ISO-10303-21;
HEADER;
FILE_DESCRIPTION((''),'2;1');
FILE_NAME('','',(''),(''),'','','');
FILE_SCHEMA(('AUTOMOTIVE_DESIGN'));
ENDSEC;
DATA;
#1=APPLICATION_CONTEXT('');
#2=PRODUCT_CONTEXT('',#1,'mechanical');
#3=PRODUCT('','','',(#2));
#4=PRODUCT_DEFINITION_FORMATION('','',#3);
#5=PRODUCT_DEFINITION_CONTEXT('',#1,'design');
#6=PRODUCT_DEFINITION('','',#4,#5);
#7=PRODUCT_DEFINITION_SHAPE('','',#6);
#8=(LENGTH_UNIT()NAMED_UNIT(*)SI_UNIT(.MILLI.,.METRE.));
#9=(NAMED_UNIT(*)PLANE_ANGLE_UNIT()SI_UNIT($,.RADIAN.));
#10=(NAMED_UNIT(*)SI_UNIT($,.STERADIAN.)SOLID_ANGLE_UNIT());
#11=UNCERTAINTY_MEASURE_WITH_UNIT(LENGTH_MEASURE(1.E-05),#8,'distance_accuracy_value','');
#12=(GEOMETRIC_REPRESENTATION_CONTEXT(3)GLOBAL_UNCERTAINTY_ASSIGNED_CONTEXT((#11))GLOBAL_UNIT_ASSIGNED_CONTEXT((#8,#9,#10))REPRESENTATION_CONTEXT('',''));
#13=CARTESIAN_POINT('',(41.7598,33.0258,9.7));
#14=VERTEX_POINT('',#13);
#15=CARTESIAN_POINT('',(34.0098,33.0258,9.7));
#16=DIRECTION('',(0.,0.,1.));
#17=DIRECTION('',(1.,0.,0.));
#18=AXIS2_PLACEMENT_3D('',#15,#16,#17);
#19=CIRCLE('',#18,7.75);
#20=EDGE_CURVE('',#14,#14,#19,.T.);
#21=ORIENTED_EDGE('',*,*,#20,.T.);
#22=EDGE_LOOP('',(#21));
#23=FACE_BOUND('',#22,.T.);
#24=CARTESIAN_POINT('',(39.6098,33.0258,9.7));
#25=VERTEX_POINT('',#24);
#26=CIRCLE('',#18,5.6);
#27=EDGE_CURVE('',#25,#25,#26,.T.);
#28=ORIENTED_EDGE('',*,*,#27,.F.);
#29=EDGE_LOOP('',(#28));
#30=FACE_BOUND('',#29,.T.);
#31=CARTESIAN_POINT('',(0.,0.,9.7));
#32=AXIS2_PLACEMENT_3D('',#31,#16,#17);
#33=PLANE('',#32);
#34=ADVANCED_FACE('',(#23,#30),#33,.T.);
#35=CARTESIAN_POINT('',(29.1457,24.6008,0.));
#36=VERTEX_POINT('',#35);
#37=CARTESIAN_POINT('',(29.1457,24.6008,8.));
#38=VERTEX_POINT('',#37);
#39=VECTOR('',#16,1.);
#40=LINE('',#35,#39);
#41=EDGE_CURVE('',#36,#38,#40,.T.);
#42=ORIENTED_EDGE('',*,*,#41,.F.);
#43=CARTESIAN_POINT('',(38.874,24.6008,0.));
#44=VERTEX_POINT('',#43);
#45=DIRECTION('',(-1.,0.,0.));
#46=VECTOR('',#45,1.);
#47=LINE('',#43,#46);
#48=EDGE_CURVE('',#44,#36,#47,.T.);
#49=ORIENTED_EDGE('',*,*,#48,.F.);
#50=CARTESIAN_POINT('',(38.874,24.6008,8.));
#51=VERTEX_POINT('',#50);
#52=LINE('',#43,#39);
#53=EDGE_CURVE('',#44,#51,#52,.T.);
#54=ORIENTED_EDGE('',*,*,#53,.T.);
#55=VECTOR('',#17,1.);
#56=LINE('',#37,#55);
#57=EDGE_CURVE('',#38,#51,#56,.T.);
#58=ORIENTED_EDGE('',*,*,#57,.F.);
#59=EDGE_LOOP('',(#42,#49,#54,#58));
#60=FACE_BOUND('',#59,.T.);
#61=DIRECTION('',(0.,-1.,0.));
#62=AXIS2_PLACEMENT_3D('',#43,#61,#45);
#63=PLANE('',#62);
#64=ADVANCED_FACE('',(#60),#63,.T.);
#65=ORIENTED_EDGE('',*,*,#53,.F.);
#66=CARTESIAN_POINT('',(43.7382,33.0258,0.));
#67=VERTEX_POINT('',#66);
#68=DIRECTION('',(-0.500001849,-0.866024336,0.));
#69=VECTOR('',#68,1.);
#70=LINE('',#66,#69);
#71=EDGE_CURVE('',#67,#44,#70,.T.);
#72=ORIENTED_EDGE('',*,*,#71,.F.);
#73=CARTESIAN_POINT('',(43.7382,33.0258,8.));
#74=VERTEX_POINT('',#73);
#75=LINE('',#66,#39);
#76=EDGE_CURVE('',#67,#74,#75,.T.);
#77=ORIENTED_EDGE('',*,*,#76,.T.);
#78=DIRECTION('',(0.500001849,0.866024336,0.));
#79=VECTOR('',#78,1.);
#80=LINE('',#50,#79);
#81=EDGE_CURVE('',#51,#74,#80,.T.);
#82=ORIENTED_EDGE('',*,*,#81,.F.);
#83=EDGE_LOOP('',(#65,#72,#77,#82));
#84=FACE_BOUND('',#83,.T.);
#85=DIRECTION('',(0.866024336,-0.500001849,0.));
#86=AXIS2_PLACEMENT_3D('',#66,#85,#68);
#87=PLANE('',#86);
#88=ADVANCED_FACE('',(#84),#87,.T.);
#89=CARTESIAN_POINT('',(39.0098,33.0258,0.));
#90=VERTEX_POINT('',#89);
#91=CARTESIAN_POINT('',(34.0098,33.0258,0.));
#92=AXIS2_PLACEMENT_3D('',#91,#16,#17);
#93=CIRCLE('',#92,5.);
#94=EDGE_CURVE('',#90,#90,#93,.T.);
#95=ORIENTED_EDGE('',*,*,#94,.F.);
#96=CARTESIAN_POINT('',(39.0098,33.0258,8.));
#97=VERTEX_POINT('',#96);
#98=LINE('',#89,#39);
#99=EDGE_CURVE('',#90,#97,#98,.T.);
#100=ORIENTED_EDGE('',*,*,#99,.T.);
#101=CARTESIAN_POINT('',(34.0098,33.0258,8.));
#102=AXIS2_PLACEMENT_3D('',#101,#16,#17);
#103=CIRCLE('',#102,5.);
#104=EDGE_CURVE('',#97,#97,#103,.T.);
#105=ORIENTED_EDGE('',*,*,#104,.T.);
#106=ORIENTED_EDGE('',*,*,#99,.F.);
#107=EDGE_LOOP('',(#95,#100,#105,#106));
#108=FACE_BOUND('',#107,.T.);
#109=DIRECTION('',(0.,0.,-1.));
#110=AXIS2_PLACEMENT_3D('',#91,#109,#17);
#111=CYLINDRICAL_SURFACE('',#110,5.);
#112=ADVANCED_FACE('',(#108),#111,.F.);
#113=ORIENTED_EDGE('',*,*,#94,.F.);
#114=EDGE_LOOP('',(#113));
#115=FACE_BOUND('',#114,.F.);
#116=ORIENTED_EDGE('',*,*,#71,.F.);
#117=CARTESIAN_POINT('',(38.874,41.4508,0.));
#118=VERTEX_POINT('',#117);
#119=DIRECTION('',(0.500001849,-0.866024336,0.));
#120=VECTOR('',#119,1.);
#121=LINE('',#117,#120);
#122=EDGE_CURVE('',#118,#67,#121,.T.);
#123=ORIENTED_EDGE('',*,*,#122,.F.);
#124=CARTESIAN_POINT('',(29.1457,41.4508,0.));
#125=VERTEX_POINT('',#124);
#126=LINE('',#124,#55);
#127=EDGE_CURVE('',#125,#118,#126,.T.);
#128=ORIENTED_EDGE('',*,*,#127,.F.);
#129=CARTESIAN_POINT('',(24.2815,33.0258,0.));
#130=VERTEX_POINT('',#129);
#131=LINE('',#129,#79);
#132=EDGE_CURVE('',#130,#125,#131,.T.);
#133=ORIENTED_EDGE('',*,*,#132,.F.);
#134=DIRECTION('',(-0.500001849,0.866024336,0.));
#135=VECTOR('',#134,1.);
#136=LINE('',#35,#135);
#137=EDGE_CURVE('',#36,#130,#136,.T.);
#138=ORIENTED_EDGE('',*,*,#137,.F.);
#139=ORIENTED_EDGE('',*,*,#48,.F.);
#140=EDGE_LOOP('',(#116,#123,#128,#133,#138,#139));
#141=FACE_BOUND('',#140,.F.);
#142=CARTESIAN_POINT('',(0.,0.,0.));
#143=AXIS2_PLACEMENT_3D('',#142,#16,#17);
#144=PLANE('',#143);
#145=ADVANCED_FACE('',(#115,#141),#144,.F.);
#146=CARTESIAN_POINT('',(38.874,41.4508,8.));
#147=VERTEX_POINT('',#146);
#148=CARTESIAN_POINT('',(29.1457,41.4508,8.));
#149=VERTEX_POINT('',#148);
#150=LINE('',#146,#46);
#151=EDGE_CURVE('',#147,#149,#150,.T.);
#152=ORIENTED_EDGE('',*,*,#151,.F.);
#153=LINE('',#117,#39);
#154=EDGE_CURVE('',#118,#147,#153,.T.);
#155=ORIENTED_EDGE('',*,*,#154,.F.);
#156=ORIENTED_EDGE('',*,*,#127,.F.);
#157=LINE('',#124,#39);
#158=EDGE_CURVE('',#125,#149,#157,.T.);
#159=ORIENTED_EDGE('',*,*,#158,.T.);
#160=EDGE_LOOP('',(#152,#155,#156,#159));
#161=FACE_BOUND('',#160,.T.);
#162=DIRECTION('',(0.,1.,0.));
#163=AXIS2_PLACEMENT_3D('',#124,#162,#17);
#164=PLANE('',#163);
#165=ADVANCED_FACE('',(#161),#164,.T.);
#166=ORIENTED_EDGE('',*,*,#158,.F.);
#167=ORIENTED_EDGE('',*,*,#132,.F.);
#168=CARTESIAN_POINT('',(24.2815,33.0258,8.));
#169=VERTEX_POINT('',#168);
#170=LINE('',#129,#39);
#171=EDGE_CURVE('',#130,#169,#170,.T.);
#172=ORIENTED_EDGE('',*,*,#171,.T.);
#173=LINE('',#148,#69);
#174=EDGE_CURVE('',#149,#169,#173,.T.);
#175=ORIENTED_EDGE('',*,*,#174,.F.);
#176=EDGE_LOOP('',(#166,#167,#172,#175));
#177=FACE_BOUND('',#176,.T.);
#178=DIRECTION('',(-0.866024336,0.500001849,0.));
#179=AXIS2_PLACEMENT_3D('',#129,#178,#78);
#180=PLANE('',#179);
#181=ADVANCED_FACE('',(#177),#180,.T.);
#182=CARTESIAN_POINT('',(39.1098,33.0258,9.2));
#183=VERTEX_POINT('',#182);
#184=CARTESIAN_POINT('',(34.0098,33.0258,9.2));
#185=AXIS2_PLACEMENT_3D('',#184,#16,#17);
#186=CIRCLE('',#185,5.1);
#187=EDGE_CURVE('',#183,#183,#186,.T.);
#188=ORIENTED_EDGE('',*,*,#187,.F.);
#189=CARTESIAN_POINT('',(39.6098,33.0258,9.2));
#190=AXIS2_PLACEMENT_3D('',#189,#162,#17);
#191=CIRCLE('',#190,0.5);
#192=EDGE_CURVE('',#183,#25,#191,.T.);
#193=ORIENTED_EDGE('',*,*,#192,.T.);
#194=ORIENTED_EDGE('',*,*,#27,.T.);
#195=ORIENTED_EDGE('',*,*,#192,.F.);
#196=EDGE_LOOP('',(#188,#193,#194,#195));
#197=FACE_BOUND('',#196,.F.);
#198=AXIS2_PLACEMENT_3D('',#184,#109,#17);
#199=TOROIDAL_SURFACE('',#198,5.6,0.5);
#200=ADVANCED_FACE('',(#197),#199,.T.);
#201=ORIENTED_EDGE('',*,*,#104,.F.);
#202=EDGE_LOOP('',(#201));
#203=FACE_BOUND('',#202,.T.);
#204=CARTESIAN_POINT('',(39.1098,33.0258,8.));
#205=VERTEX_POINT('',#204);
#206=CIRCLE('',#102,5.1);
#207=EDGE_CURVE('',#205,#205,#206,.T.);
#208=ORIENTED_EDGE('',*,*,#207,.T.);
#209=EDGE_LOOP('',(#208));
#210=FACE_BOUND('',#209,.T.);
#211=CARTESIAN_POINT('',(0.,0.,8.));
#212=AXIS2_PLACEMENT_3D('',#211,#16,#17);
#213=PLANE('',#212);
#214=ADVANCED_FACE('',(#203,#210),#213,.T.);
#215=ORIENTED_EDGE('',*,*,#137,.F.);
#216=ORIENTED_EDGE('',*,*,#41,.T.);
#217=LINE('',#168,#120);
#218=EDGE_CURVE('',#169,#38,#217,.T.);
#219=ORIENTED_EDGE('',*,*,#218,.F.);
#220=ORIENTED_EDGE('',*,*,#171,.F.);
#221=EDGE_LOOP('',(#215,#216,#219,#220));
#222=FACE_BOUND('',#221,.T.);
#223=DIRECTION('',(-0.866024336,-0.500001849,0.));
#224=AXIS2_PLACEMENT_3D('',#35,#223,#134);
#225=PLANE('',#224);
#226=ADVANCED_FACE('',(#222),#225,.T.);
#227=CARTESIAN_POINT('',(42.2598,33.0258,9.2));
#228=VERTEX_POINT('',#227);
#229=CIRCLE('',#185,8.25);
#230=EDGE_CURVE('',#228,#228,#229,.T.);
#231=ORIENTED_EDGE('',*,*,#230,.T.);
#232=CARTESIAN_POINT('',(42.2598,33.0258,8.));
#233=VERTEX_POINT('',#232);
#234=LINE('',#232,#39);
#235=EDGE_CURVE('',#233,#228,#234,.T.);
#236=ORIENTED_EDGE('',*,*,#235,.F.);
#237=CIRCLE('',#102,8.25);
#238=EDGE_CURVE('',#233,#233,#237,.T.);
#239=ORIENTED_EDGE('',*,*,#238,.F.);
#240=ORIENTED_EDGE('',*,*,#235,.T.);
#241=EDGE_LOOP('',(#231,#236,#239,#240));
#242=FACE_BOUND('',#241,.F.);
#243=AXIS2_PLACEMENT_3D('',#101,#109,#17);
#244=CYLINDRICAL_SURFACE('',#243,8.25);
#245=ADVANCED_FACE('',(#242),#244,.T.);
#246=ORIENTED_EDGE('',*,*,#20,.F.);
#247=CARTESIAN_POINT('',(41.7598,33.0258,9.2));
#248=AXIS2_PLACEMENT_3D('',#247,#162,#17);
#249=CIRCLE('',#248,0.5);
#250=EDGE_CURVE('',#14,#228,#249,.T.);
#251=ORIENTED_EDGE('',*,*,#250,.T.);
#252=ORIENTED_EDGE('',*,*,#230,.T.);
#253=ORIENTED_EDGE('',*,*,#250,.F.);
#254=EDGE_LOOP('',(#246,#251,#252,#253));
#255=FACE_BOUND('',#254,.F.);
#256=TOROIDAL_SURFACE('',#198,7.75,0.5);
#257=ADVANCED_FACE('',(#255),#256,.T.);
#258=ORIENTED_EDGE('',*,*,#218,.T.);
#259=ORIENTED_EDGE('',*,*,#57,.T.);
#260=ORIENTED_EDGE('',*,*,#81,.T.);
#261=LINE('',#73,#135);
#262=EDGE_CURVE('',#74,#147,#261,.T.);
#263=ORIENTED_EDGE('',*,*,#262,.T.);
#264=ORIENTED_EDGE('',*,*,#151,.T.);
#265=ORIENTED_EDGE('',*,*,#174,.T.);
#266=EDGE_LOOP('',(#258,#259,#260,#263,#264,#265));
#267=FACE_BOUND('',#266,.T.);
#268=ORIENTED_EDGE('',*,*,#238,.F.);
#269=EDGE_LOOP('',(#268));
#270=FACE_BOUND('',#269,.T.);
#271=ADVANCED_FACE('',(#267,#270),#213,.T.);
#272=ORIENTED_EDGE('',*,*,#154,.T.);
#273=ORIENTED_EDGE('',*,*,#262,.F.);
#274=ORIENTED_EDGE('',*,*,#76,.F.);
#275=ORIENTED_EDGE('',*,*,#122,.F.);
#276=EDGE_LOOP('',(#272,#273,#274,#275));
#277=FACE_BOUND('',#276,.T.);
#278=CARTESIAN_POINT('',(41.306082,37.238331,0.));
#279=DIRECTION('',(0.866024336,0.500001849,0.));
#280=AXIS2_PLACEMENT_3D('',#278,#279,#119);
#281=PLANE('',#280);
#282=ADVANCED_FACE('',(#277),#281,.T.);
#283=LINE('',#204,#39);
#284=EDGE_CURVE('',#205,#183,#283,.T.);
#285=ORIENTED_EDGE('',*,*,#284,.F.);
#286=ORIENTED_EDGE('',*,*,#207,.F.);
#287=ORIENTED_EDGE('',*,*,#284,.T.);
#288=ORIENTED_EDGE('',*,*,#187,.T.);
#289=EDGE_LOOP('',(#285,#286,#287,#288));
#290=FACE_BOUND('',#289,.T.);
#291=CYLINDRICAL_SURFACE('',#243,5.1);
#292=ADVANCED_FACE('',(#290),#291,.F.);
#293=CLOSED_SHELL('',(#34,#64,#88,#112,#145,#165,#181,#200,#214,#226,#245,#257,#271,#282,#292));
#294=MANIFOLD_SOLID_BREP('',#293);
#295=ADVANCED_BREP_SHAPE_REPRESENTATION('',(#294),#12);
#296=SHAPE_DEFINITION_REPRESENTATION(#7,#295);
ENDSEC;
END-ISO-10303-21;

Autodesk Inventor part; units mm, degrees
ref_plane "YZ Plane" through (0, 0, 0) normal (1, 0, 0) x (0, 1, 0)
ref_plane "XZ Plane" through (0, 0, 0) normal (0, 1, 0) x (-1, 0, 0)
sketch "Sketch1" plane through (0, 0, 0) normal (0, 0, 1) x (1, 0, 0)
  circle A0 centre (34.0098, 33.0258) radius 5
  circle A1 centre (34.0098, 33.0258) radius 8.425
  line L0 (38.874, 41.4508) -> (43.7382, 33.0258)
  line L1 (43.7382, 33.0258) -> (38.874, 24.6008)
  line L2 (38.874, 24.6008) -> (29.1457, 24.6008)
  line L3 (29.1457, 24.6008) -> (24.2815, 33.0258)
  line L4 (24.2815, 33.0258) -> (29.1457, 41.4508)
  line L5 (29.1457, 41.4508) -> (38.874, 41.4508)
  point P0 (34.0098, 41.4508)
  dimension "d1" = 16.85
  dimension "d0" = 10
extrude "Extrusion1" add sketch "Sketch1" along normal blind 8
ref_plane "Work Plane1" through (34.0098, 33.0258, 0) normal (0.866, -0.5, 0) x (0, 0, 1)
thread "Thread1" size "M10x1.5" class "6H" standard "ANSI Metric M Profile" full length
sketch "Sketch4" plane through (0, 0, 8) normal (0, 0, 1) x (1, 0, 0)
  circle A0 centre (34.0098, 33.0258) radius 5 projected
  circle A1 centre (34.0098, 33.0258) radius 8.25
  circle A2 centre (34.0098, 33.0258) radius 5.1
  dimension "d11" = 16.5
  dimension "d12" = 10.2
extrude "Extrusion2" add sketch "Sketch4" along normal blind 1.7 contours A1
fillet "Fillet1" radius 0.5 2 edges at (28.9098, 33.0258, 9.7) (25.7598, 33.0258, 9.7)
properties part number "M10 Nut (o'ring)"
